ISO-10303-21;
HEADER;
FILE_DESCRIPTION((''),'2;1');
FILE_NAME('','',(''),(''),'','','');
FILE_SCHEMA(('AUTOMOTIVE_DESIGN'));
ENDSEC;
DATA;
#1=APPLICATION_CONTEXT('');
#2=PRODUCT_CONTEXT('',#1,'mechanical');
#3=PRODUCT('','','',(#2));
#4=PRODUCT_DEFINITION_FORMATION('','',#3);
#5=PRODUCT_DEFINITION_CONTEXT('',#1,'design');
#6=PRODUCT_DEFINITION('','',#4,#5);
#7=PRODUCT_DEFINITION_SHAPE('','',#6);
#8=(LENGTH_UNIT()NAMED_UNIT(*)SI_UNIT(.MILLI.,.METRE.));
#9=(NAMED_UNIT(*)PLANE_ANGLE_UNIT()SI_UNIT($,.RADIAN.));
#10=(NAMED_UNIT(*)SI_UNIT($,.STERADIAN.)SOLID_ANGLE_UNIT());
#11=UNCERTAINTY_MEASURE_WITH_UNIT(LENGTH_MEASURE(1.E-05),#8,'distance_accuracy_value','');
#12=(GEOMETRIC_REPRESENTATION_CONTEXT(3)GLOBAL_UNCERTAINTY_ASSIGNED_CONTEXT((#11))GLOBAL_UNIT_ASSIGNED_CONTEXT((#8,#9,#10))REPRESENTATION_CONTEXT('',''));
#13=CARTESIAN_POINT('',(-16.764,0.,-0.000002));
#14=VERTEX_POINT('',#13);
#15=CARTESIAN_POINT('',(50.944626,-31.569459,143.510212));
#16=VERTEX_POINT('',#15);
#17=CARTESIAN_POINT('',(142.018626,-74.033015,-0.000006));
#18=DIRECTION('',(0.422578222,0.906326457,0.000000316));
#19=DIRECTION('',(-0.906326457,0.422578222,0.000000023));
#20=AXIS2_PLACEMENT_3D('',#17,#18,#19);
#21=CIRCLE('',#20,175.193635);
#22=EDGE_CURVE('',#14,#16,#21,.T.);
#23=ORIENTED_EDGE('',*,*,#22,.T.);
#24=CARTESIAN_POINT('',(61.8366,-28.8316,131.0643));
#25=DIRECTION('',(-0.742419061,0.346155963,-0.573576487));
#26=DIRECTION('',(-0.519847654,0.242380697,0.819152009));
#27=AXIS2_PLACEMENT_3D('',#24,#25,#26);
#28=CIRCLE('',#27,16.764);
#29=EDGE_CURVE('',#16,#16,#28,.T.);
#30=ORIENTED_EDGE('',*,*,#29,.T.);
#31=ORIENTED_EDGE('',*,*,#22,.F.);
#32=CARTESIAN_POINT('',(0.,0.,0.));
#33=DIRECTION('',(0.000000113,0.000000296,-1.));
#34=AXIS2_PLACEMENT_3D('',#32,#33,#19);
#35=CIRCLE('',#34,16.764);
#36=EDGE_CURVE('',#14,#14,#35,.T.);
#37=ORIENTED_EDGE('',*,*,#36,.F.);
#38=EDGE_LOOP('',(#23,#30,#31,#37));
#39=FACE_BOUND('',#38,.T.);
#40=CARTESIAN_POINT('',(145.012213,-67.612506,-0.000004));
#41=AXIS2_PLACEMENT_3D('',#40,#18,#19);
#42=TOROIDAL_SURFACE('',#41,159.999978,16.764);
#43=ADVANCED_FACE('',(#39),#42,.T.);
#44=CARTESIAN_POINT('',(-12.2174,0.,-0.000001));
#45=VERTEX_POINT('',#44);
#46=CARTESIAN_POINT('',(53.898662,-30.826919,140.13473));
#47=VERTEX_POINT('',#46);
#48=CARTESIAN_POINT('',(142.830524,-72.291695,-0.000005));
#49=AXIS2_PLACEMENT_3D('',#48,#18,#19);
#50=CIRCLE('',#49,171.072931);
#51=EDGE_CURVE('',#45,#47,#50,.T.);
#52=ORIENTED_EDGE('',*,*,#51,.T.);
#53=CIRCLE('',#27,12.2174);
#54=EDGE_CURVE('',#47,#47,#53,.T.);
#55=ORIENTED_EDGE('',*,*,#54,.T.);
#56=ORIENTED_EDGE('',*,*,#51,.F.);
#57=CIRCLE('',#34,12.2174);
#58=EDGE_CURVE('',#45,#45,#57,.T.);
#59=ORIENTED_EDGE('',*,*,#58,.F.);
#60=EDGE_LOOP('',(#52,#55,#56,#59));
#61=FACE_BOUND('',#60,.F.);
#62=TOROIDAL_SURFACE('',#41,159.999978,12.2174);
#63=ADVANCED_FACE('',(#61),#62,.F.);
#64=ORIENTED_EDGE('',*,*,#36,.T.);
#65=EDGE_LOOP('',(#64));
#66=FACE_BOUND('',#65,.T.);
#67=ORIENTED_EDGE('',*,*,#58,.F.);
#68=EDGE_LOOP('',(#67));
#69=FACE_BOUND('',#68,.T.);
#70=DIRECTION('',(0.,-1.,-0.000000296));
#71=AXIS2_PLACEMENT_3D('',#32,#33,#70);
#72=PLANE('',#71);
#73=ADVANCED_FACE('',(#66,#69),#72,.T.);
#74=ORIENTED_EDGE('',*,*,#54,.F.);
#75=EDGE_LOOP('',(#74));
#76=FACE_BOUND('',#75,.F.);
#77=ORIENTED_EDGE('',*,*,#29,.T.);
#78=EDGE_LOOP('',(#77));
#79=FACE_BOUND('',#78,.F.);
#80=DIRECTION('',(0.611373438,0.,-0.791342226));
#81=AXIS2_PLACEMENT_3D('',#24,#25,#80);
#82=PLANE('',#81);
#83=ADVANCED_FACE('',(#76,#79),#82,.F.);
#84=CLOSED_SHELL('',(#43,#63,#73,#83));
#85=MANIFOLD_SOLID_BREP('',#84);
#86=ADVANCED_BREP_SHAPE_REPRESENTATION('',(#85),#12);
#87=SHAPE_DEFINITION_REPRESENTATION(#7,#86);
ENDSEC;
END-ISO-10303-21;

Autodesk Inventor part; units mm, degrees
ref_plane "Start Plane" through (0, 0, 0) normal (0, 0, 1) x (1, 0, 0)
ref_plane "End Plane" through (0, 0, 153.589) normal (0, 0, 1) x (1, 0, 0)
sketch "Sketch" plane through (0, 0, 0) normal (0, 0, -1) x (-1, 0, 0)
  circle A0 centre (0, 0) radius 12.2174
  circle A1 centre (0, 0) radius 16.764
  dimension "d0" = 33.528
  dimension "d1" = 4.5466
sketch "Sketch3" plane through (0, 0, 0) normal (0, 0, 1) x (1, 0, 0)
  line L0 (0, 0) -> (10, 0)
ref_plane "Work Plane3" through (0, 0, 0) normal (0, -1, 0) x (1, 0, 0)
ref_plane "Orientation Work Plane" through (0, 0, 0) normal (0, 0, -1) x (-1, 0, 0)
sketch3d "Sweep Path"
  arc A0 (0, 0, 0) -> (61.8366, -28.8316, 131.0643) centre (145.0122, -67.6125, 0) ccw
sweep "Body" add profiles "Sketch" path "Sweep Path"
sketch "Sketch4" plane through (0, 0, 0) normal (0, -1, 0) x (1, 0, 0)
  line L0 (-2, 0) -> (12, 0) projected
  line L1 (-34.7303, 153.589) -> (91.0337, 153.589) projected
  dimension "d7" = 153.589
equation "\"d0\" = G_H"
equation "\"d1\" = G_T"
equation "\"G_H\" = 33.528"
equation "\"G_T\" = 4.5466"
equation "\"G_L\" = d7"
equation "\"G_OFFSET_START\" = 0"
equation "\"G_OFFSET_END\" = 0"
equation "\"d5\" = G_OFFSET_END + B_L"
equation "\"B_L\" = 153.58897"
properties part number "ANSI - 1 x 0.179 - 6.047" material "Steel, Mild"
